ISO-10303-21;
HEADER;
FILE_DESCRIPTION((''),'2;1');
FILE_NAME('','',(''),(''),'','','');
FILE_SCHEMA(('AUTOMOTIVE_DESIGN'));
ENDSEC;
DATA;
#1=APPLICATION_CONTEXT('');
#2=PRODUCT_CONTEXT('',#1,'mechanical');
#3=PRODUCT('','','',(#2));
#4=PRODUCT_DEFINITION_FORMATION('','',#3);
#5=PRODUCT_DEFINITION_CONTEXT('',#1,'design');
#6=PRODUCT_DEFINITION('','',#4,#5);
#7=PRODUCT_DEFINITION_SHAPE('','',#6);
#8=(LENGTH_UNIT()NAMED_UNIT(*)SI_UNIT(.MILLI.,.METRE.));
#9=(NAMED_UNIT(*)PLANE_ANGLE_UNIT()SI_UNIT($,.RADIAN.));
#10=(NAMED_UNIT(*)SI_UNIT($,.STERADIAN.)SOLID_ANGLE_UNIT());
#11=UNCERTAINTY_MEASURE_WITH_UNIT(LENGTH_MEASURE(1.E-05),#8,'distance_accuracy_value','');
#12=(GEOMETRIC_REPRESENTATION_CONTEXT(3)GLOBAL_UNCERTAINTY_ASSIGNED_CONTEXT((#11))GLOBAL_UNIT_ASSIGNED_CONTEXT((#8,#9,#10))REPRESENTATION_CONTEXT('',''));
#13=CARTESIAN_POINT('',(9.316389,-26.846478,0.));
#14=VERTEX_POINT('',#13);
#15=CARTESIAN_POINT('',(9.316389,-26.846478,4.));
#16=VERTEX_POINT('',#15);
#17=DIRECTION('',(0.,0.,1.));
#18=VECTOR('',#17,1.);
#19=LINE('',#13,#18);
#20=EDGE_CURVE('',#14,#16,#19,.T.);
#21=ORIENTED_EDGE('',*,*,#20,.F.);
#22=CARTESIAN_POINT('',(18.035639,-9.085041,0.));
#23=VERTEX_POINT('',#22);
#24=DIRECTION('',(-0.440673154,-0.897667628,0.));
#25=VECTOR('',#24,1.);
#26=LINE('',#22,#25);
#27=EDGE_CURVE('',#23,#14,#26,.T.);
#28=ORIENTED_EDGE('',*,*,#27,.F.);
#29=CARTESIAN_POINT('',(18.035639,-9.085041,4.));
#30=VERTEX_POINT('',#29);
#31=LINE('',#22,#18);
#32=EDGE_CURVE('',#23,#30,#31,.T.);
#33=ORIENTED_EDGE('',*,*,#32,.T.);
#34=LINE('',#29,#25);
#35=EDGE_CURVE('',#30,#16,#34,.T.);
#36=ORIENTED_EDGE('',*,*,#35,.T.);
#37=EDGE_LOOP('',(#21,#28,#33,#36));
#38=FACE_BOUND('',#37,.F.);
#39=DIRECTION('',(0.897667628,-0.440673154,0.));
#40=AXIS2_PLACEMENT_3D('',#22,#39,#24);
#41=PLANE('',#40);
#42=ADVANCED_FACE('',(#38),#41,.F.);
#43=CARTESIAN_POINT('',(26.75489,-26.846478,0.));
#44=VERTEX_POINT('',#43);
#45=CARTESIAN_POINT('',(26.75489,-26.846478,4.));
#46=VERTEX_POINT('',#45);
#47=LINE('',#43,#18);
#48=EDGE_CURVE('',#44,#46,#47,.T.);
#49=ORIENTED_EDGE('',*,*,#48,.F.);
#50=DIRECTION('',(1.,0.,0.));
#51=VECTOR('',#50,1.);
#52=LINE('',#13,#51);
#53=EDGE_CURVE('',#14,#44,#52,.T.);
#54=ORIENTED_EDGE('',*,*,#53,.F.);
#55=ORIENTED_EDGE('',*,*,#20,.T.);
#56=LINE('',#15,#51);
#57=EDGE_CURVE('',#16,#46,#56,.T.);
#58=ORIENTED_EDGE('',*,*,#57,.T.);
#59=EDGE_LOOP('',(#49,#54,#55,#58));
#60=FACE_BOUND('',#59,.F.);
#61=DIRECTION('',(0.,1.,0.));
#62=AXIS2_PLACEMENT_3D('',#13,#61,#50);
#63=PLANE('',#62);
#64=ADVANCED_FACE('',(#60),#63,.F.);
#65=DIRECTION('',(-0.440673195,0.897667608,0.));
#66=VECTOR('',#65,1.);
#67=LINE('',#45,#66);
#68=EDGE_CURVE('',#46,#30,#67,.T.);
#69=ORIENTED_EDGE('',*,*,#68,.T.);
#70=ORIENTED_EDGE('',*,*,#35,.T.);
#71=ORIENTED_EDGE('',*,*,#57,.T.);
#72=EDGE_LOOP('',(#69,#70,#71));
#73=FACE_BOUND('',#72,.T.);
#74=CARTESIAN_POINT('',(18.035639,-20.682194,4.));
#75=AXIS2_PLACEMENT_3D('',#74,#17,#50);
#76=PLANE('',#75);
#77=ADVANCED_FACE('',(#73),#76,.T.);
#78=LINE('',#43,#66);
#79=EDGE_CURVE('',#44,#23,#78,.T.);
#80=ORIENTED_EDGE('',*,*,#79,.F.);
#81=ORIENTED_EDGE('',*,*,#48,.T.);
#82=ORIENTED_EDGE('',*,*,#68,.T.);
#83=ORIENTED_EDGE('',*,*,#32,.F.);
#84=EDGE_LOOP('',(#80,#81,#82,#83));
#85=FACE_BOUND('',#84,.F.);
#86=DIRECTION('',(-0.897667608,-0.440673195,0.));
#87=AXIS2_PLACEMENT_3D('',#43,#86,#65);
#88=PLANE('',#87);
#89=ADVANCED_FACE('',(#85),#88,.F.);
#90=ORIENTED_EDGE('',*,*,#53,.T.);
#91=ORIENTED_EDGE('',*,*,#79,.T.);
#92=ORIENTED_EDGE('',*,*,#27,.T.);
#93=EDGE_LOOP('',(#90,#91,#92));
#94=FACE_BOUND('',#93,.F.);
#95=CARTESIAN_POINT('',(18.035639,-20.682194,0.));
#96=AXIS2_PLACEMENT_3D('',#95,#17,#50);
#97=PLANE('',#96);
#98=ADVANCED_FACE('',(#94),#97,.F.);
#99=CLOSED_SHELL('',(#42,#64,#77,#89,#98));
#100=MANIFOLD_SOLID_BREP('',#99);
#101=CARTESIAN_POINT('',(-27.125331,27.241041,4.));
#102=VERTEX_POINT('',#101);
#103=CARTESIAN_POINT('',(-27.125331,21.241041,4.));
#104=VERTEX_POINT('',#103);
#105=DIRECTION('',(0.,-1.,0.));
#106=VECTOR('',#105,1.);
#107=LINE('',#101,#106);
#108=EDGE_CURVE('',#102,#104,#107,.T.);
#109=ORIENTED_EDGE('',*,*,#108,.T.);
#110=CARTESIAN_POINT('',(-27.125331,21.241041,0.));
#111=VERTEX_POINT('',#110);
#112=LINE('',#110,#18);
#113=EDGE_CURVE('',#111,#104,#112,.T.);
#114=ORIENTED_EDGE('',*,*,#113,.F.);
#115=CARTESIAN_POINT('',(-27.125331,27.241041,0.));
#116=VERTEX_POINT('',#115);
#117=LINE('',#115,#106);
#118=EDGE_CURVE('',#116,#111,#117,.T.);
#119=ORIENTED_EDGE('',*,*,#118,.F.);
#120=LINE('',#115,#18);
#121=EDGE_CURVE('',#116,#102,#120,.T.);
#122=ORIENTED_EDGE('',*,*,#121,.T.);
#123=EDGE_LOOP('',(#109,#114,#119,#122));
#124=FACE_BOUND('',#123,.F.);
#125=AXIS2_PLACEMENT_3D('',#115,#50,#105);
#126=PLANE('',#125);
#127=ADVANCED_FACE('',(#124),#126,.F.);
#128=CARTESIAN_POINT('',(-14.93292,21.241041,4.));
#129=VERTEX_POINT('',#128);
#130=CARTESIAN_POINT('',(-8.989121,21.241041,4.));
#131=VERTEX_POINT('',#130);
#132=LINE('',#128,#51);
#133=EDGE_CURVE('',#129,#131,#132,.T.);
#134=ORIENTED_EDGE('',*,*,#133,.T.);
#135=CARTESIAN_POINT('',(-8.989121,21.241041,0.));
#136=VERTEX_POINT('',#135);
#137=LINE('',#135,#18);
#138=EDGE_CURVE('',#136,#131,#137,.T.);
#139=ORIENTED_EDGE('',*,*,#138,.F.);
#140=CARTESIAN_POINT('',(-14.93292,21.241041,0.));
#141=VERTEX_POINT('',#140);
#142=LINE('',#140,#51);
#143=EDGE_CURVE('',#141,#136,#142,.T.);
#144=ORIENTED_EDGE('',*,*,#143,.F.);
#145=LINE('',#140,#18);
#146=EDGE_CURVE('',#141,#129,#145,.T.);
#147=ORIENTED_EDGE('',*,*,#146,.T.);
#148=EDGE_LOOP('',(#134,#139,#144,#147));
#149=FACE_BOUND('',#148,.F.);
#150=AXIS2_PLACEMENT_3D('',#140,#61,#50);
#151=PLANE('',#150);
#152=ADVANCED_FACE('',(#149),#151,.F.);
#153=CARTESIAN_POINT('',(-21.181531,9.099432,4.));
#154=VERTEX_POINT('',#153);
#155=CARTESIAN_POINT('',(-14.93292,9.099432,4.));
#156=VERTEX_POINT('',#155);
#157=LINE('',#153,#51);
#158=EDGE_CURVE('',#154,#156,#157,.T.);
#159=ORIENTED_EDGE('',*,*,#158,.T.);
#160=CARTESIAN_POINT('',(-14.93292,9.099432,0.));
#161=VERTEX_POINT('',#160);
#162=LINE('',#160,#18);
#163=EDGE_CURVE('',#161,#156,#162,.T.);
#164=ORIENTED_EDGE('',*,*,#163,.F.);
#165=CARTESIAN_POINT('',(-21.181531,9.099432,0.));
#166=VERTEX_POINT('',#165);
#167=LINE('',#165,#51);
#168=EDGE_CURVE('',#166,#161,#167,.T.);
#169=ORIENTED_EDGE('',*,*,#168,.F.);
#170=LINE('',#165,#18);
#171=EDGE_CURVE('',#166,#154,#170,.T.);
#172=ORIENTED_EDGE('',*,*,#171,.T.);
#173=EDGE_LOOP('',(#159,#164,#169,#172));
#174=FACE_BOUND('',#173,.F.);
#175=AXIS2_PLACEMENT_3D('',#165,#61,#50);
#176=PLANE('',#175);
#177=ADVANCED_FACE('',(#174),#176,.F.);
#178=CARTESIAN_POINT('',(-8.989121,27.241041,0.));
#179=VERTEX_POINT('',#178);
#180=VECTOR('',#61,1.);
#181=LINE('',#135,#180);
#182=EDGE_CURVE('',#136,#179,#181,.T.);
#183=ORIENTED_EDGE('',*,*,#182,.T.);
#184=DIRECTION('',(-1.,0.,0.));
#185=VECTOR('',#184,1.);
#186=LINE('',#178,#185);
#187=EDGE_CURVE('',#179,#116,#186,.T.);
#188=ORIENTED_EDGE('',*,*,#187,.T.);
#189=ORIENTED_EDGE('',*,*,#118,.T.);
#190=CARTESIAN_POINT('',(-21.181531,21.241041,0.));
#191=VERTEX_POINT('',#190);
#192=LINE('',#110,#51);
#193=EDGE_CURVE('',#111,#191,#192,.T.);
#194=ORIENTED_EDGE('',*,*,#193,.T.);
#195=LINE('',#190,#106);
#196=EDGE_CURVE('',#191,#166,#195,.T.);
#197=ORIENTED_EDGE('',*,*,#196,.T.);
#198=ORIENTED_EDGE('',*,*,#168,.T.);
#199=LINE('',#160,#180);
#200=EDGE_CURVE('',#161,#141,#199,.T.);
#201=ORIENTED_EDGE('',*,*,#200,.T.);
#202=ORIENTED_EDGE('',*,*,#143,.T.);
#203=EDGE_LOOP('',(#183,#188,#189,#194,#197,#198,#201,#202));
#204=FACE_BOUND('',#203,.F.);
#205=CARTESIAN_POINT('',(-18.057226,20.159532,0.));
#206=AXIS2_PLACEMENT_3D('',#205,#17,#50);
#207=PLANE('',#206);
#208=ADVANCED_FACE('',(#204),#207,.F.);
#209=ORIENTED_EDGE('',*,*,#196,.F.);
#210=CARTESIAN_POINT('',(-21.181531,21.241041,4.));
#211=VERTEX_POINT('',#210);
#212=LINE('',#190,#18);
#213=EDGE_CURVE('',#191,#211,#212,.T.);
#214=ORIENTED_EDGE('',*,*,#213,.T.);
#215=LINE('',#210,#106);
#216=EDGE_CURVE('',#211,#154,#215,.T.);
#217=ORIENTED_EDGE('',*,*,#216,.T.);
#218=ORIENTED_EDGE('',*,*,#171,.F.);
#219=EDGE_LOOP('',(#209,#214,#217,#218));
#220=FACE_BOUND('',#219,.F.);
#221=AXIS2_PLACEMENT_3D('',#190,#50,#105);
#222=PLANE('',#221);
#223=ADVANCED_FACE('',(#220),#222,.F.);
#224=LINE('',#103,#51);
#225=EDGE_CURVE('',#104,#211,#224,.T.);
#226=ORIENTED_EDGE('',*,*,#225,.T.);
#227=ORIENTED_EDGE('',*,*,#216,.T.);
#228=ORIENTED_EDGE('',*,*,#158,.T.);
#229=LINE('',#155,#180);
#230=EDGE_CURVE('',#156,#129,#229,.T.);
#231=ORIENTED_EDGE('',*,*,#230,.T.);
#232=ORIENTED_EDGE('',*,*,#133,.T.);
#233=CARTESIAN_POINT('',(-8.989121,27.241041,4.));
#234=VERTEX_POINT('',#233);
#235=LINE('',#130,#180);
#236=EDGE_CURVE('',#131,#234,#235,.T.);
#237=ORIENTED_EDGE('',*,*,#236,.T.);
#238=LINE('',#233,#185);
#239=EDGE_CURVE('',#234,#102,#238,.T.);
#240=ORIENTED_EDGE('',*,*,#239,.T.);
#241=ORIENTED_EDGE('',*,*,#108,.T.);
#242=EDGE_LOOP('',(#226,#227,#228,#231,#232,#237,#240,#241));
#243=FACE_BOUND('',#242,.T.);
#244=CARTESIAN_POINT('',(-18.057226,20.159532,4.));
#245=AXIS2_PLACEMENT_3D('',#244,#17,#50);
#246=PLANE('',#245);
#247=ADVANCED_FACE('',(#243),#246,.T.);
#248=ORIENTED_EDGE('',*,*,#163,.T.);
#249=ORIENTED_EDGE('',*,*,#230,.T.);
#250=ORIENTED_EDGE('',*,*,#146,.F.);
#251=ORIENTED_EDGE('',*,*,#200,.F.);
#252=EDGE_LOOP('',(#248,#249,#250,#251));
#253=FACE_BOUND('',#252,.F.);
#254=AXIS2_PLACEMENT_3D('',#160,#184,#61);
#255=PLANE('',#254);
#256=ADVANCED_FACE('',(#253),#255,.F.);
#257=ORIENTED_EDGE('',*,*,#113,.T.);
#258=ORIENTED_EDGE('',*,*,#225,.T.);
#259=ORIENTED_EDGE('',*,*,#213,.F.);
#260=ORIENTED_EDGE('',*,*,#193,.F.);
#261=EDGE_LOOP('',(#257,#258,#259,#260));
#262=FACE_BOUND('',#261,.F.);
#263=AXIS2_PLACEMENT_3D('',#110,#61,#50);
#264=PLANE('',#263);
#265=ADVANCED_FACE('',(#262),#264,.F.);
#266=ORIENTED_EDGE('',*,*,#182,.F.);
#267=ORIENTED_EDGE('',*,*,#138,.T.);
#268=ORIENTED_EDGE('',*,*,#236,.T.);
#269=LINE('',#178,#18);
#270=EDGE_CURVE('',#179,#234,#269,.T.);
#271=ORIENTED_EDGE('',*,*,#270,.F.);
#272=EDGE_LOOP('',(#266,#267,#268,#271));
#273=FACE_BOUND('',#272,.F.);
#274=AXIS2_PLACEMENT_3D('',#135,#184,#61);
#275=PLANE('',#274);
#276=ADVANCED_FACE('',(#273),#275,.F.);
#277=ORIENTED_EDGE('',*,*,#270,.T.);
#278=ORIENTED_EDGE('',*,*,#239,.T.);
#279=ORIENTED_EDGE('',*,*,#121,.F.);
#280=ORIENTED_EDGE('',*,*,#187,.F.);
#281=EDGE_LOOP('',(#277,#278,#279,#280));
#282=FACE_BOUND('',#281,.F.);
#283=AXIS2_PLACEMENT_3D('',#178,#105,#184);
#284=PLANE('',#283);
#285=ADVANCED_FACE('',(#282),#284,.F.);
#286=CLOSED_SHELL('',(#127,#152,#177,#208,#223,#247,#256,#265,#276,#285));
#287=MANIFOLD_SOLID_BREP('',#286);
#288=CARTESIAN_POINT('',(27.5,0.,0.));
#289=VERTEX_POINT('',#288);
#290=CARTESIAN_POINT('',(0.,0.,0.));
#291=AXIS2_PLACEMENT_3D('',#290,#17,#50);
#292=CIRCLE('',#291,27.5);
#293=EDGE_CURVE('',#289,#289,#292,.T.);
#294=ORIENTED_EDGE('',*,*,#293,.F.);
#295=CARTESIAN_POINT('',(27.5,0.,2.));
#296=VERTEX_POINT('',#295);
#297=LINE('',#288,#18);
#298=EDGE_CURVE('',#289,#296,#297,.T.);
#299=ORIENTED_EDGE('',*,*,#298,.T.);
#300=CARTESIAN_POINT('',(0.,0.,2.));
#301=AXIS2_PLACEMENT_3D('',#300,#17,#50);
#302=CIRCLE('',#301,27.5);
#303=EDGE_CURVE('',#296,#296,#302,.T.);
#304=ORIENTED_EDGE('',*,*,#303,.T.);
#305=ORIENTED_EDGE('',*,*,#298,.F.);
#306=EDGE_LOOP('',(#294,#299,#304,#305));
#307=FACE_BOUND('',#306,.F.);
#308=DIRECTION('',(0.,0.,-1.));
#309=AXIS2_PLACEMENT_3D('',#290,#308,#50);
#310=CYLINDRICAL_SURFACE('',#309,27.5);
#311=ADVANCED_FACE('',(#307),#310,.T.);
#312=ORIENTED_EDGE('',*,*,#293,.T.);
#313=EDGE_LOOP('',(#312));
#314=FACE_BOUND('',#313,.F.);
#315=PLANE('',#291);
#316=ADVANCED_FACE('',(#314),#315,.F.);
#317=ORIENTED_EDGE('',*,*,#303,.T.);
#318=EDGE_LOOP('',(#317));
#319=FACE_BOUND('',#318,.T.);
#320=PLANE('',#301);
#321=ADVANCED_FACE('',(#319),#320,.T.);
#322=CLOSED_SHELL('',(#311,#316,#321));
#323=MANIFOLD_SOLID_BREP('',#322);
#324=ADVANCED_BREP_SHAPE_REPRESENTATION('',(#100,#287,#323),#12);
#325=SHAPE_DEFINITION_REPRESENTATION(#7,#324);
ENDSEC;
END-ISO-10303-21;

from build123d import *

# Parameters (mm, degrees)
F0_R     = 27.5
F2_DEPTH = 2
F3_DEPTH = 4
F4_DEPTH = 4


with BuildPart() as f2:
    # F0 (on Top) → F2 (new body)
    with BuildSketch(Plane.XY):
        Circle(F0_R)
    extrude(amount=F2_DEPTH)


with BuildPart() as f3:
    # F1 (on Top) → F3 (new body)
    with BuildSketch(Plane.XY):
        Polygon((-8.989121, 27.241041), (-27.125331, 27.241041), (-27.125331, 21.241041), (-21.181531, 21.241041), (-21.181531, 9.099432), (-14.93292, 9.099432), (-14.93292, 21.241041), (-8.989121, 21.241041), align=None)
    extrude(amount=F3_DEPTH)


with BuildPart() as f4:
    # F1 (on Top) → F4 (new body)
    with BuildSketch(Plane.XY):
        Polygon((26.75489, -26.846478), (18.035639, -9.085041), (9.316389, -26.846478), align=None)
    extrude(amount=F4_DEPTH)


solid = Compound([f2.part, f3.part, f4.part])
